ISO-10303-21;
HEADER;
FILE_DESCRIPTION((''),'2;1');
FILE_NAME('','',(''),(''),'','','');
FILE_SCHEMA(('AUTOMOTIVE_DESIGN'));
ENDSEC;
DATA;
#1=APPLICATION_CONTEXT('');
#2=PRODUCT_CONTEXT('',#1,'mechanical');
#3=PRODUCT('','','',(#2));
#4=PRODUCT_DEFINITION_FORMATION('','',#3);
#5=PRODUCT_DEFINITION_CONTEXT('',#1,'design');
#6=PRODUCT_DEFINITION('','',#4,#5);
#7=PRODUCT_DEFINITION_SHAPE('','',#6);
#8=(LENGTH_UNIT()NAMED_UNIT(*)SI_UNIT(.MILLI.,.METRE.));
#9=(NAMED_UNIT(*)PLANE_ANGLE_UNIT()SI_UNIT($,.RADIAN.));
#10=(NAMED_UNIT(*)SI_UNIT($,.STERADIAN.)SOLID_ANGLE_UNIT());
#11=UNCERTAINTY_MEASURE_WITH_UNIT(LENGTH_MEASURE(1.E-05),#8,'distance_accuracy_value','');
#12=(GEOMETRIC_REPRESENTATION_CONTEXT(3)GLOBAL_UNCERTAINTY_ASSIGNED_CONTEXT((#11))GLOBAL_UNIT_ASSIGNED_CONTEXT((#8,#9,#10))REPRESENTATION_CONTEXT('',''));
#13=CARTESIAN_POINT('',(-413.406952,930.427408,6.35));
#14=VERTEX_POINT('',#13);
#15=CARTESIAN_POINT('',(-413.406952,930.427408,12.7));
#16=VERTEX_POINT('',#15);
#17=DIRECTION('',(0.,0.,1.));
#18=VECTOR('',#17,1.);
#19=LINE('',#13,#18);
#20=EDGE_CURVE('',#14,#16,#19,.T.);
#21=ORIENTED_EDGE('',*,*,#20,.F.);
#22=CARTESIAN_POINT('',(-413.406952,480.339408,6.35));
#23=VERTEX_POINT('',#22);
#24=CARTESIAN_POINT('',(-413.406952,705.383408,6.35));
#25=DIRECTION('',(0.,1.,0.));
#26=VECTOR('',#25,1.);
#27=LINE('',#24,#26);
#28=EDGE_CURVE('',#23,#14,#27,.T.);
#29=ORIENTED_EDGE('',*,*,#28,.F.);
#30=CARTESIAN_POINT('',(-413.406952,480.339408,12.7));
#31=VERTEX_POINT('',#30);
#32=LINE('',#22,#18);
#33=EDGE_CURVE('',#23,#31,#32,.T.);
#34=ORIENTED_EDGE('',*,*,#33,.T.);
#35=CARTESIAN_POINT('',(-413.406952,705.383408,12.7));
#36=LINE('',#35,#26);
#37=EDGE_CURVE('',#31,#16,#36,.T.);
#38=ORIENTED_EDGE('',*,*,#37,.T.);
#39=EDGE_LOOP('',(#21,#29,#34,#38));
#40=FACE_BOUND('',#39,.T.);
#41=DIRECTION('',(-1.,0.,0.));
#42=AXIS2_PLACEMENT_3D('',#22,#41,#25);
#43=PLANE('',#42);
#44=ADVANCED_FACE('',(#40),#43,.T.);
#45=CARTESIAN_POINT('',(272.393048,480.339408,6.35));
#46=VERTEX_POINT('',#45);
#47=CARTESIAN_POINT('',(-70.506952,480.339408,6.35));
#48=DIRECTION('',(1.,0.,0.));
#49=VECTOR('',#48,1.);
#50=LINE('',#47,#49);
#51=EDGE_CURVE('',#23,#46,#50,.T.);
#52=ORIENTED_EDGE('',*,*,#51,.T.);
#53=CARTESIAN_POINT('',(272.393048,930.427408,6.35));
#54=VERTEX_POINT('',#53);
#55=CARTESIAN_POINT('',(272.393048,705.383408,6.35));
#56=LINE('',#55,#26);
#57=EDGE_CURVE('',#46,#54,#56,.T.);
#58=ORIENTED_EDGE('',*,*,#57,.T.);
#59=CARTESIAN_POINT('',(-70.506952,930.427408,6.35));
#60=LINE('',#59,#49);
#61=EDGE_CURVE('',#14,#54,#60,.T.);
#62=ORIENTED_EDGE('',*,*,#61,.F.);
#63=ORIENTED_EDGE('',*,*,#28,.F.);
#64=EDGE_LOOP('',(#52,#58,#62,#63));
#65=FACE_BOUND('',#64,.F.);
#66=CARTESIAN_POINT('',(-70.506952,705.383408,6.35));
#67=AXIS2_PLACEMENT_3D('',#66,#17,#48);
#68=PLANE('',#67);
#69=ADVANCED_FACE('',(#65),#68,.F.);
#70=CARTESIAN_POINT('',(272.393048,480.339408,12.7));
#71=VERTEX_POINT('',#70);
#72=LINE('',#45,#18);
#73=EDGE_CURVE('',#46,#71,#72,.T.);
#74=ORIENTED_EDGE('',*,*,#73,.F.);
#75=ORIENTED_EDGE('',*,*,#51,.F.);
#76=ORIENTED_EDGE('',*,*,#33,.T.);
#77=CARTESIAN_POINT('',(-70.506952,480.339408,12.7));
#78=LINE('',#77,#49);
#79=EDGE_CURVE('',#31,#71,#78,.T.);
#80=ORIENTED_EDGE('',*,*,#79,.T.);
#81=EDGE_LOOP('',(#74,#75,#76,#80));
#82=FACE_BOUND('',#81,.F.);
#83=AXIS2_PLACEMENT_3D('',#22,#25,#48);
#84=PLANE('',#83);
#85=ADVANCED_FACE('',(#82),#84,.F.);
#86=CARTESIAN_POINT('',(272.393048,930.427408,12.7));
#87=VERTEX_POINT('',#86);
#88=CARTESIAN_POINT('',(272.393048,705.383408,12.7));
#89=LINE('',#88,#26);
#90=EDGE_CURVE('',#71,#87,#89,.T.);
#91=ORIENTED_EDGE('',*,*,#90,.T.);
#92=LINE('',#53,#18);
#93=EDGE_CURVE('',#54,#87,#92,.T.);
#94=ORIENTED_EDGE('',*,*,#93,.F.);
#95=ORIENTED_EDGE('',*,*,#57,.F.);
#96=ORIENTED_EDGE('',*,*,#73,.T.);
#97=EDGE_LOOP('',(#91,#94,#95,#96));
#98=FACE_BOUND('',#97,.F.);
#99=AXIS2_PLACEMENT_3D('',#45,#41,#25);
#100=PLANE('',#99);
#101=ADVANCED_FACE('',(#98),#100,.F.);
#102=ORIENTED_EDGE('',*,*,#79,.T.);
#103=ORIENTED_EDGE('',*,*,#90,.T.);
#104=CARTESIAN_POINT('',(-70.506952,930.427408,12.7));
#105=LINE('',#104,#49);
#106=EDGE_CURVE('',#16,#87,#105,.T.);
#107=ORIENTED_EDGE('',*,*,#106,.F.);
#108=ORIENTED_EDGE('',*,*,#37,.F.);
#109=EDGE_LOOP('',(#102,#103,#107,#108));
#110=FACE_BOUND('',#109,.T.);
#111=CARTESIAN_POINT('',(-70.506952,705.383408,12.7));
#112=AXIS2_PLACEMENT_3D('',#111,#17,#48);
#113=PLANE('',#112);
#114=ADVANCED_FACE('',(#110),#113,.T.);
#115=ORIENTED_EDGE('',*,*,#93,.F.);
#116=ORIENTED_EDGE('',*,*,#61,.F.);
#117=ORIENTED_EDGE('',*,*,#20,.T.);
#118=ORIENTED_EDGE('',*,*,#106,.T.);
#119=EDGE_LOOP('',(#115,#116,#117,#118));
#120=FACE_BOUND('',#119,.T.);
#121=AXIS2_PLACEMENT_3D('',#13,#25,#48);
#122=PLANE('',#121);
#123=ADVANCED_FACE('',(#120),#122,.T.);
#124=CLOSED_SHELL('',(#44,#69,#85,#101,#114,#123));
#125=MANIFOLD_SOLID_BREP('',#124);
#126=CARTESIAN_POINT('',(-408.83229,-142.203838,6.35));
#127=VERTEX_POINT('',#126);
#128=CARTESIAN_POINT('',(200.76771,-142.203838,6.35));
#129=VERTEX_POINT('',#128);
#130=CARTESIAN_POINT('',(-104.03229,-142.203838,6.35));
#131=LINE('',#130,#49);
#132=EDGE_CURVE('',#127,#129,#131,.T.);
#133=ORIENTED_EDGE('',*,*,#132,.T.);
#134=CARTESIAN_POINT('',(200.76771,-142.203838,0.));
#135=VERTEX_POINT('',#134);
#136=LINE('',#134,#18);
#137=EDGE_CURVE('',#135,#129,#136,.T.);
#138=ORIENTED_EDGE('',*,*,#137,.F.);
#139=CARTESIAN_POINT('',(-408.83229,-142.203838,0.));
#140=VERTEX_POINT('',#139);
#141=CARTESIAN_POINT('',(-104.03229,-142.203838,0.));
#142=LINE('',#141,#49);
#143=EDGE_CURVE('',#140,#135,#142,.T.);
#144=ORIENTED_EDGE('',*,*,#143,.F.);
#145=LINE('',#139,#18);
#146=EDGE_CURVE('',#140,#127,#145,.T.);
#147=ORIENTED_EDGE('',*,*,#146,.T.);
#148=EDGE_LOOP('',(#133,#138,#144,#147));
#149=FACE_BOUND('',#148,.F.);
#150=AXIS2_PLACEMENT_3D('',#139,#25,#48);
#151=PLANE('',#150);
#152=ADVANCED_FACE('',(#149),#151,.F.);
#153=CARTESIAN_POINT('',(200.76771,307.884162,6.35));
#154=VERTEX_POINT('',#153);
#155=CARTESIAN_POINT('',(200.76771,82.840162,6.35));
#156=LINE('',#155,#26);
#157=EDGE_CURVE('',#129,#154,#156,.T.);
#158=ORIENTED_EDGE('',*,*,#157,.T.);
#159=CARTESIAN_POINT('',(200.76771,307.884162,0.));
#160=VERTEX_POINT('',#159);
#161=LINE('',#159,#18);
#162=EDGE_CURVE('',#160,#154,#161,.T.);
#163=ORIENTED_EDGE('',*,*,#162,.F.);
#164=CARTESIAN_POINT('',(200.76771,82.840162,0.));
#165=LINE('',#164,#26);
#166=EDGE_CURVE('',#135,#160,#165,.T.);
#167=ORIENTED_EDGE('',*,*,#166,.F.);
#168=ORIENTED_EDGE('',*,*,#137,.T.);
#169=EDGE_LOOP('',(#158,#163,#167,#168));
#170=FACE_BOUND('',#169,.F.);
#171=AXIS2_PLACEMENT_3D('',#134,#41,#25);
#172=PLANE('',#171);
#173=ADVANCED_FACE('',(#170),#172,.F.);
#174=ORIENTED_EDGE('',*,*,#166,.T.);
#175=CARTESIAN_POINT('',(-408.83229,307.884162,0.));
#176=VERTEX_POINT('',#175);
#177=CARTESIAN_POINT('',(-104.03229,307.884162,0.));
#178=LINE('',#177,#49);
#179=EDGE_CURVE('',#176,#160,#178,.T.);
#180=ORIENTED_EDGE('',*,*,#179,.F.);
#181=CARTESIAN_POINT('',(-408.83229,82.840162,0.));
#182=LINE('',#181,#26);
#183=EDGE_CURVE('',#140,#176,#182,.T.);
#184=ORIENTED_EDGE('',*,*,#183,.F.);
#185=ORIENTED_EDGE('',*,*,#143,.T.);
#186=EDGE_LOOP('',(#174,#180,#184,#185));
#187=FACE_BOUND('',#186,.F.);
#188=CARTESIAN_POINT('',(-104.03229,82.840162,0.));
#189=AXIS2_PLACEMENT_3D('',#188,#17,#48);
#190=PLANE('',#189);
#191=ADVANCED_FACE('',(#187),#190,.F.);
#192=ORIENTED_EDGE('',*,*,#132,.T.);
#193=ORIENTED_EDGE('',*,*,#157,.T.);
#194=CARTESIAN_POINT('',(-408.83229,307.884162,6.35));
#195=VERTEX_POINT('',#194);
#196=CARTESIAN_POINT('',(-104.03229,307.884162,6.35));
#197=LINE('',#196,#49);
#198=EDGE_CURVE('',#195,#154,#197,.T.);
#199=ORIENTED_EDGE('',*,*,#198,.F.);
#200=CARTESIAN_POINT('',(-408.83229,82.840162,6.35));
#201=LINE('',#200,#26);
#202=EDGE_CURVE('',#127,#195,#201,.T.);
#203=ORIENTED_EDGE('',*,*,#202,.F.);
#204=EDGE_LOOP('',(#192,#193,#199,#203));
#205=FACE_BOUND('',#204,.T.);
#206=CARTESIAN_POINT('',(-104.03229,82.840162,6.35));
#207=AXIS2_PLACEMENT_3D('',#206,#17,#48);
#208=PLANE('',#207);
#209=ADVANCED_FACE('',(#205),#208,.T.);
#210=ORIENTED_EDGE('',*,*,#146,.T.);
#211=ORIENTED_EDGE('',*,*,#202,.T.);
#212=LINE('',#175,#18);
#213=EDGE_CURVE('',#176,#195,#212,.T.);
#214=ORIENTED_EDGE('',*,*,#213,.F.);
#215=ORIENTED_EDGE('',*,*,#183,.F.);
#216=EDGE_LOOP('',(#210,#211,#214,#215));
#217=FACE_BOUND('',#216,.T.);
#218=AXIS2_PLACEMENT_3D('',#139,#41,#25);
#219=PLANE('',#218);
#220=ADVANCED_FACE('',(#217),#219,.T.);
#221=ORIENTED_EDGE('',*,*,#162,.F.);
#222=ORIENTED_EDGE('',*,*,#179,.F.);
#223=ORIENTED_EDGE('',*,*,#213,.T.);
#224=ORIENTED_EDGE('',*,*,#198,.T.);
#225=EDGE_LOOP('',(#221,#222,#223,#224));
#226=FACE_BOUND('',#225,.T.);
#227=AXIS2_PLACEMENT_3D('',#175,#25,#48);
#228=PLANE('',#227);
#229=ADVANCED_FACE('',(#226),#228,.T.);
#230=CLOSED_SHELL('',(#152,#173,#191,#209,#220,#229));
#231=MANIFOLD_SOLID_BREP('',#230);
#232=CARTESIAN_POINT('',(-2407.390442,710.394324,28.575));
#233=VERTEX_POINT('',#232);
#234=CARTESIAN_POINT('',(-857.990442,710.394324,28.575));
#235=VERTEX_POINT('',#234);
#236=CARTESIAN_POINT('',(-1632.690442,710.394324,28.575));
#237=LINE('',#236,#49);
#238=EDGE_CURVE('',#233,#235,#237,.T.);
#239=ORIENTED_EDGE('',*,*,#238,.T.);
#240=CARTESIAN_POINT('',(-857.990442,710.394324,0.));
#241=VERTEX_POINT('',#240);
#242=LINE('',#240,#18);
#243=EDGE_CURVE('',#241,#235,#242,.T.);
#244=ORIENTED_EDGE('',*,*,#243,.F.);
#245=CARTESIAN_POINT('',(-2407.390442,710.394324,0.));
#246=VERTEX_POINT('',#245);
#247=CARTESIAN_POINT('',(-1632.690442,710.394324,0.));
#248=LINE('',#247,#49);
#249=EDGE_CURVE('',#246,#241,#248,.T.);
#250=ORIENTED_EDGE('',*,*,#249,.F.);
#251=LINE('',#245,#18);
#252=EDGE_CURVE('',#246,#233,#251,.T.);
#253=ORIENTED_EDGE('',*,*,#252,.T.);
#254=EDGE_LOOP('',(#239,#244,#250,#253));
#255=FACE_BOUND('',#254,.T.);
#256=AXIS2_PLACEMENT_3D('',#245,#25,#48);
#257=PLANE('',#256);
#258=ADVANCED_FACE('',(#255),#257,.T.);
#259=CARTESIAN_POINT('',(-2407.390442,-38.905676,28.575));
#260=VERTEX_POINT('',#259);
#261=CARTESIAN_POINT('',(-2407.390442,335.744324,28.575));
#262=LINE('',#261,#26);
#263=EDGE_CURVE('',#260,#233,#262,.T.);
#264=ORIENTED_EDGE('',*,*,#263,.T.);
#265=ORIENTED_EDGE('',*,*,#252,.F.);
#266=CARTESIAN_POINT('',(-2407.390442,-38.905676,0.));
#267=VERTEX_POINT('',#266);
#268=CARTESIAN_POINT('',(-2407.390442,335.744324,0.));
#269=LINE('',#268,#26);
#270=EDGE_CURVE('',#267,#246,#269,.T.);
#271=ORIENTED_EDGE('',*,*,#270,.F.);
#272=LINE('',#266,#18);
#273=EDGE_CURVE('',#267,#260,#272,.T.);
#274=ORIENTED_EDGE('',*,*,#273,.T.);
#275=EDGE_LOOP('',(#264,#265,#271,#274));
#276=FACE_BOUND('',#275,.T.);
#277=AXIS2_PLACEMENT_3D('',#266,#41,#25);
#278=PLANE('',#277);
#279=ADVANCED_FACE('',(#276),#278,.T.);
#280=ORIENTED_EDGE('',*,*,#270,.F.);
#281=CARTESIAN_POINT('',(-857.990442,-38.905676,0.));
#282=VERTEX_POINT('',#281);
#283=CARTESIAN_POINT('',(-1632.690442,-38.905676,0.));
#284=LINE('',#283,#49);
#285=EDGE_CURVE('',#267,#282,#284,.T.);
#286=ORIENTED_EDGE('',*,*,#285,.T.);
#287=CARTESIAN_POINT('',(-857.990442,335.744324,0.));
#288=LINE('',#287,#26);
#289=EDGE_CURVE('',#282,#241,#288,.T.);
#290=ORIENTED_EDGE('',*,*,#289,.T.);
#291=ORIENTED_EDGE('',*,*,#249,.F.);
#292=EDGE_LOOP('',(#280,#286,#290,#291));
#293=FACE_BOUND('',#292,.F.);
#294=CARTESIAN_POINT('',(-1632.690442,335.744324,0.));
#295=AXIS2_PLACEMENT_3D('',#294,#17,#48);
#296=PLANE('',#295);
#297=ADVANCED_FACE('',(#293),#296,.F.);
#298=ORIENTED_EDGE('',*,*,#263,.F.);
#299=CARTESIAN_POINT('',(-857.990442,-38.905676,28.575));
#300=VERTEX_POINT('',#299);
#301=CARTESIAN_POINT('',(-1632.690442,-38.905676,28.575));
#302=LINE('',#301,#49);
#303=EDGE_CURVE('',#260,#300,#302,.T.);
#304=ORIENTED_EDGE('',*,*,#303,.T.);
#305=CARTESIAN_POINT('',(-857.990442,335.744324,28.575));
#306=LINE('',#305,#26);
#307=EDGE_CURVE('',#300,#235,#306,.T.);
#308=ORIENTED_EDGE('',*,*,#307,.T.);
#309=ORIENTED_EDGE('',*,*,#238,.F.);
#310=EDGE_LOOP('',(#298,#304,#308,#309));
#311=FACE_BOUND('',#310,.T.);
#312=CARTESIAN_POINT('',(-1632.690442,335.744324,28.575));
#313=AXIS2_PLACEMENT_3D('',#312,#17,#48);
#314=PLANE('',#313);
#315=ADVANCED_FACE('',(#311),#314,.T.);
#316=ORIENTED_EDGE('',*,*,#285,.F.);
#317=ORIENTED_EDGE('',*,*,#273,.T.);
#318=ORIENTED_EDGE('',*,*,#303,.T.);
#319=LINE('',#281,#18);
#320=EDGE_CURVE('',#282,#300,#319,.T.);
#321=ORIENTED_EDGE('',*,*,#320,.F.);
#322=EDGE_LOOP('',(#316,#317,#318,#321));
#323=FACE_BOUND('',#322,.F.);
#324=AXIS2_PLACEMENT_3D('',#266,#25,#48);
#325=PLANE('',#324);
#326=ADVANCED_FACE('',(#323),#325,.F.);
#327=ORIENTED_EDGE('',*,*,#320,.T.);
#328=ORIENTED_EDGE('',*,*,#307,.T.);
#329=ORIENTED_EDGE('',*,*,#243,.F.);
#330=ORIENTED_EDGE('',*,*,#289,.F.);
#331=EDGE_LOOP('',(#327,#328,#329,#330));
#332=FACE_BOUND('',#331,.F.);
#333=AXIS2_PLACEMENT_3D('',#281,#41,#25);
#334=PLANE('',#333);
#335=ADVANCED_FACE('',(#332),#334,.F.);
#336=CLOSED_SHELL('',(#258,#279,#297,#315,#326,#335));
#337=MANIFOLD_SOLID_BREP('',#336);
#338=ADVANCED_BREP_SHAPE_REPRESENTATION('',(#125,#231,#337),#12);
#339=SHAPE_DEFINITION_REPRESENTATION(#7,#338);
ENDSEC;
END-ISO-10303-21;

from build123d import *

# Parameters (mm, degrees)
F0_W     = 1549.4
F0_H     = 749.3
F1_DEPTH = 28.575
F2_W     = 609.6
F2_H     = 450.088
F3_DEPTH = 6.35
F4_W     = 685.8
F4_H     = 450.088
F5_DEPTH = 6.35


with BuildPart() as f1:
    # F0 (on Top) → F1 (new body)
    with BuildSketch(Plane.XY):
        with Locations((-1632.690442, 335.744324)):
            Rectangle(F0_W, F0_H)
    extrude(amount=F1_DEPTH)


with BuildPart() as f3:
    # F2 (on Top) → F3 (new body)
    with BuildSketch(Plane.XY):
        with Locations((-104.03229, 82.840162)):
            Rectangle(F2_W, F2_H)
    extrude(amount=F3_DEPTH)


with BuildPart() as f5:
    # F4 (on face) → F5 (new body)
    with BuildSketch(Plane.XY.offset(6.35)):
        with Locations((-70.506952, 705.383408)):
            Rectangle(F4_W, F4_H)
    extrude(amount=F5_DEPTH)


solid = Compound([f1.part, f3.part, f5.part])
